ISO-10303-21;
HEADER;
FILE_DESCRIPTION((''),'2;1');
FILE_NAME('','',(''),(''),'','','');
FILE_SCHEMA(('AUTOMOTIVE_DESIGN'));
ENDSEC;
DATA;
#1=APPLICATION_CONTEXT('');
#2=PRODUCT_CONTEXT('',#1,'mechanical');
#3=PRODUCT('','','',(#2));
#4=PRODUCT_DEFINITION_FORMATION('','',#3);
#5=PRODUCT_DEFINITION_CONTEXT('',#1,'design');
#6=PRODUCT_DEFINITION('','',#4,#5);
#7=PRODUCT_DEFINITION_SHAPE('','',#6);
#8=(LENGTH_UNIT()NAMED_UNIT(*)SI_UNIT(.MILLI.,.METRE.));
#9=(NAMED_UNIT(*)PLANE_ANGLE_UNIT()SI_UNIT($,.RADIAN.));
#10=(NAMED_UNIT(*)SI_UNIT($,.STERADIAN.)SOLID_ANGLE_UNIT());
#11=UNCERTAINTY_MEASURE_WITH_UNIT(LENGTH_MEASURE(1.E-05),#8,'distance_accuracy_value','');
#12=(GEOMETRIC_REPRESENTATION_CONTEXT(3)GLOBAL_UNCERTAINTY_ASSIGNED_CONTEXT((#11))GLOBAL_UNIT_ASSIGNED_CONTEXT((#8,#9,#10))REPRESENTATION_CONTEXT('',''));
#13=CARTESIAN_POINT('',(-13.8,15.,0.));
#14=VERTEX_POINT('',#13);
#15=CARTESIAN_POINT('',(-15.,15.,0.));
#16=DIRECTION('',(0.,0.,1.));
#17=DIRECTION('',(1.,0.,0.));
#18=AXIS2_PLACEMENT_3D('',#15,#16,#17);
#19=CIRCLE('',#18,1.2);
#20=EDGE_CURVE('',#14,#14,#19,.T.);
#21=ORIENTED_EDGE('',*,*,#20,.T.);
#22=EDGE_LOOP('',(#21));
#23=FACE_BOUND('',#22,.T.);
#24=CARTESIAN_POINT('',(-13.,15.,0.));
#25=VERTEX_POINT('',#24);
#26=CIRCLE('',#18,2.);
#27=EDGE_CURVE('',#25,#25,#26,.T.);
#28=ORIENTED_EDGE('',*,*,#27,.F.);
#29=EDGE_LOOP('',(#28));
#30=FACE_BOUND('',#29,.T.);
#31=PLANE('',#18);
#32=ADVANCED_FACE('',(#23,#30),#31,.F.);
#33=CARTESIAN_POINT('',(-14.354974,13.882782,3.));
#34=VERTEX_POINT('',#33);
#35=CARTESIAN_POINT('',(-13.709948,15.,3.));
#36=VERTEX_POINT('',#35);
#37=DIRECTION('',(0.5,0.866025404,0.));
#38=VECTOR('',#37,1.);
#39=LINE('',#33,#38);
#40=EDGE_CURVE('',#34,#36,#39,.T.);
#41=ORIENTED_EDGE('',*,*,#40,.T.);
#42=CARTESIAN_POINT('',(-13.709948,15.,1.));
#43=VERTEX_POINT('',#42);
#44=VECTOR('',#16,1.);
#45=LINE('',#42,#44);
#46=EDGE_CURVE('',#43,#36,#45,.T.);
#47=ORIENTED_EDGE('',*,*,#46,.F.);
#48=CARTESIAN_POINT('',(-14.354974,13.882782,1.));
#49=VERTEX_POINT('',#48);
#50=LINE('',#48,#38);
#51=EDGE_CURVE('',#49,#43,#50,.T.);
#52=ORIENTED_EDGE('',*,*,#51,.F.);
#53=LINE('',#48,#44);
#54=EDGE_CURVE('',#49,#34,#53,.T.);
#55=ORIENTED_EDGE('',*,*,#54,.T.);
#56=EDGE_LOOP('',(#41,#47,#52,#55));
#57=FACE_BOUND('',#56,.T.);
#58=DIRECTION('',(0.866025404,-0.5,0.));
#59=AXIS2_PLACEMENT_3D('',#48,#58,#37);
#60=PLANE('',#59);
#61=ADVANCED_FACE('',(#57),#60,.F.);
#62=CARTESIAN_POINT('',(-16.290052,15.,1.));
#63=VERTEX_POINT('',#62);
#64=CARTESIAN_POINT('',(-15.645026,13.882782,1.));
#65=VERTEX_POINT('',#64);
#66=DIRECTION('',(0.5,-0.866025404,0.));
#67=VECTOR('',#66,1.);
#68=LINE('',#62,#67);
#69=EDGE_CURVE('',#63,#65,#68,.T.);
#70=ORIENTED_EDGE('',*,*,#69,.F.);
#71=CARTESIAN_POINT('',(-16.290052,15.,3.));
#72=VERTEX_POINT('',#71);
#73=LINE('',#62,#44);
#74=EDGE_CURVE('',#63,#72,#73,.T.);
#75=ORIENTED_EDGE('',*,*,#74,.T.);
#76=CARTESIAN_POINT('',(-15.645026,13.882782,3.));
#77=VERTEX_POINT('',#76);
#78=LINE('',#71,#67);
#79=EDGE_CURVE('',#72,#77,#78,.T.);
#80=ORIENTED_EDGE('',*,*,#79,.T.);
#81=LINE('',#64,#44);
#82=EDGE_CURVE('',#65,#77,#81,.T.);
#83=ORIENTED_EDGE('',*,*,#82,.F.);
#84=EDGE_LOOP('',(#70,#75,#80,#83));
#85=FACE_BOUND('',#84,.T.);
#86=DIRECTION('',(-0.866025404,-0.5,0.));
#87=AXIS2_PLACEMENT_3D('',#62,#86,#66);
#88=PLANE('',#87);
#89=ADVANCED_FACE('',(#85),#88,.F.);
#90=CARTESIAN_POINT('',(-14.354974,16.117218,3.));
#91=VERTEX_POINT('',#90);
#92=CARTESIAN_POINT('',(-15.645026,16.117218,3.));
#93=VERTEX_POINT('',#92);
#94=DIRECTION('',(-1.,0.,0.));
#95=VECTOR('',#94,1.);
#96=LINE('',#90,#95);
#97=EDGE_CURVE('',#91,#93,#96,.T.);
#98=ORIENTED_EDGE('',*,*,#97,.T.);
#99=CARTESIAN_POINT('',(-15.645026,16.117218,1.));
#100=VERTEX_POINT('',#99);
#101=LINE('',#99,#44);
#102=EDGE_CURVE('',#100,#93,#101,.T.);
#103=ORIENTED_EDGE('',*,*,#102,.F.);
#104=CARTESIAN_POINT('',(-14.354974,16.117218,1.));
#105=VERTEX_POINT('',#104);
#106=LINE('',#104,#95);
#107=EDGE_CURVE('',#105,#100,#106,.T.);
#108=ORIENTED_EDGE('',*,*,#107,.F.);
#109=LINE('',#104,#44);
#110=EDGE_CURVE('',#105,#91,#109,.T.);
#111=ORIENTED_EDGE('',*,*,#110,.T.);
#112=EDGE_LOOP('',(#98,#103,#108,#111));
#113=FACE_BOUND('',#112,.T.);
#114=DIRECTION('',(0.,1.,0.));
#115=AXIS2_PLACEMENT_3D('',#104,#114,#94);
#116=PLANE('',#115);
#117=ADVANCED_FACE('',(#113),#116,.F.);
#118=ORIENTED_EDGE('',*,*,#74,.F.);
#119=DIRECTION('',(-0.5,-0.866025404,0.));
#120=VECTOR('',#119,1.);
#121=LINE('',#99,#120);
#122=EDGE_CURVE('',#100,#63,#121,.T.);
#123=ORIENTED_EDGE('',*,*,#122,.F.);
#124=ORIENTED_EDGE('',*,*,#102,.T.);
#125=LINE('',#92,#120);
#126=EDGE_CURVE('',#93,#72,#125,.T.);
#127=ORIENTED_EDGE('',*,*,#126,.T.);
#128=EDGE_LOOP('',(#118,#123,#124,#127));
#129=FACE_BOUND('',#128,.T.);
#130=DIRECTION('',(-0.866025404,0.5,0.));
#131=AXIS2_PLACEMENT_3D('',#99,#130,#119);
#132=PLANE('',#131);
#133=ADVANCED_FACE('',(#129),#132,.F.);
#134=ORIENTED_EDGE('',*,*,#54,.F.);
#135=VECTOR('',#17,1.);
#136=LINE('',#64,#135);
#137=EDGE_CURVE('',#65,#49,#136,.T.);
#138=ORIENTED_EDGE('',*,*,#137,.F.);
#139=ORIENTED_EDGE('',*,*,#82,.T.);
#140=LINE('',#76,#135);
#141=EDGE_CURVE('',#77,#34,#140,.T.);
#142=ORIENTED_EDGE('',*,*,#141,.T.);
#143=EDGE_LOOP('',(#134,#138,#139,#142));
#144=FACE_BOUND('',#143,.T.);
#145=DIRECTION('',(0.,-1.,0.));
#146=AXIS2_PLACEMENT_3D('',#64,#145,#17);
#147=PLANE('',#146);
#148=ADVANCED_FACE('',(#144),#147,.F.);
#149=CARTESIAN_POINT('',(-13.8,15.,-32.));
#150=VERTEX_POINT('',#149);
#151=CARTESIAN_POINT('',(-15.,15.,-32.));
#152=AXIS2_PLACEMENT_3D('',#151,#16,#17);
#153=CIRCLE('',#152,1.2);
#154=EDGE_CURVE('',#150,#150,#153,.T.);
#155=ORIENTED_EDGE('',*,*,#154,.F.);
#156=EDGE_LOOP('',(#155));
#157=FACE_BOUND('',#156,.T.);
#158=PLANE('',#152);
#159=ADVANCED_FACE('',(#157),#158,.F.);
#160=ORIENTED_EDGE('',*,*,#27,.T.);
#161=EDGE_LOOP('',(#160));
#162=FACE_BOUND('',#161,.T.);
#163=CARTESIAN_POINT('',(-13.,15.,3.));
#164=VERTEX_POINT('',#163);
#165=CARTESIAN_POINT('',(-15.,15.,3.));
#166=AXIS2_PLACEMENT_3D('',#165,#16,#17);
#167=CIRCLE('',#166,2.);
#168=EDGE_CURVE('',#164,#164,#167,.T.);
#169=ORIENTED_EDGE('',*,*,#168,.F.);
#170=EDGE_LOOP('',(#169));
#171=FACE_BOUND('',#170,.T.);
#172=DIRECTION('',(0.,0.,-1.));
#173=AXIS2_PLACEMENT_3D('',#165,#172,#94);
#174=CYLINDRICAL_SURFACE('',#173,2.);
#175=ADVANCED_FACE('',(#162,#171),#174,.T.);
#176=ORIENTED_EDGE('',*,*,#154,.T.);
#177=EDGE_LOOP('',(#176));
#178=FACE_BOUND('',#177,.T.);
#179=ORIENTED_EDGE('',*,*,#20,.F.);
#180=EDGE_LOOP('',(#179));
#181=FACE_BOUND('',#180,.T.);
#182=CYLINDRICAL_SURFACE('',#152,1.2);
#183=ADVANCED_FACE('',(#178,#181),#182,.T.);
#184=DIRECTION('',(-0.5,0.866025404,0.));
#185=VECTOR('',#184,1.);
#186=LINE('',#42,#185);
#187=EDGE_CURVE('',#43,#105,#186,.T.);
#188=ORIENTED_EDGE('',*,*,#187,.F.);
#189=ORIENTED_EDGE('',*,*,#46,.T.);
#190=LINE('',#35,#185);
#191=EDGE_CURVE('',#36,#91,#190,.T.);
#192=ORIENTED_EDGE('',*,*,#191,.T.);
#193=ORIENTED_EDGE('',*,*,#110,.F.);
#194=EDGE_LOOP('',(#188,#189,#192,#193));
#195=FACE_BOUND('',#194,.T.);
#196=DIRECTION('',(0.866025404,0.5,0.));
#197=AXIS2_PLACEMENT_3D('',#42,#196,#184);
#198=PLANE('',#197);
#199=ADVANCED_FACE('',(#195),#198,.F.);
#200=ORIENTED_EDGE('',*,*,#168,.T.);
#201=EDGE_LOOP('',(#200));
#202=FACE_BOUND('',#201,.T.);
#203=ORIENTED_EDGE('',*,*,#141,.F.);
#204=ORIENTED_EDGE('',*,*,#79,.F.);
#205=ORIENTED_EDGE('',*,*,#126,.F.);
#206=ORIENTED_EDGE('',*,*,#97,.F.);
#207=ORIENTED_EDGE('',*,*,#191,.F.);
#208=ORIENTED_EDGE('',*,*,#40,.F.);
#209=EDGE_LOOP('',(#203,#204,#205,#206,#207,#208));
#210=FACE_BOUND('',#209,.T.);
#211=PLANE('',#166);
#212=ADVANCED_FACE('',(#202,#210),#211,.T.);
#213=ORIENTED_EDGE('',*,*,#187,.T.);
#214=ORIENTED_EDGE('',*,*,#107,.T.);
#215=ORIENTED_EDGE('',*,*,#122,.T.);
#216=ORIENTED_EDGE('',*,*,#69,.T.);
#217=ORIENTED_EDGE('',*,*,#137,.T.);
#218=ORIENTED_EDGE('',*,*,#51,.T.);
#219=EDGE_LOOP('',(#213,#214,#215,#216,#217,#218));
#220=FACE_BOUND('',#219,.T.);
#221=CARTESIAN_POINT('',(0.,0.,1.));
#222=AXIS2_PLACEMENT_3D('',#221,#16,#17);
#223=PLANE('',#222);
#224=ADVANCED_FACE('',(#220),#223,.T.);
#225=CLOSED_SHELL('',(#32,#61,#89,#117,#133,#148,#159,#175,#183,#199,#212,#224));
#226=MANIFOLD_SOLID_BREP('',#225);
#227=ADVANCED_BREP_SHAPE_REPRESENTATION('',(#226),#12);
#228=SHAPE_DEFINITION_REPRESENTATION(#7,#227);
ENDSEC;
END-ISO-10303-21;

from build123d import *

# Parameters (mm, degrees)
SKETCH1_R           = 1.2
BOSS_EXTRUDE1_DEPTH = 32
SKETCH2_R           = 2
BOSS_EXTRUDE2_DEPTH = 3
CUT_EXTRUDE1_DEPTH  = 2


with BuildPart() as part:
    # Sketch1 → Boss-Extrude1 (new body)
    with BuildSketch(Plane.XY):
        with Locations((-15, 15)):
            Circle(SKETCH1_R)
    extrude(amount=-BOSS_EXTRUDE1_DEPTH)

    # Sketch2 → Boss-Extrude2 (add)
    with BuildSketch(Plane.XY):
        with Locations((-15, 15)):
            Circle(SKETCH2_R)
    extrude(amount=BOSS_EXTRUDE2_DEPTH)

    # Sketch3 → Cut-Extrude1 (cut)
    with BuildSketch(Plane.XY.offset(3)):
        Polygon((-13.709947687, 15), (-14.354973843, 16.117218076), (-15.645026157, 16.117218076), (-16.290052313, 15), (-15.645026157, 13.882781924), (-14.354973843, 13.882781924), align=None)
    extrude(amount=-CUT_EXTRUDE1_DEPTH, mode=Mode.SUBTRACT)


solid = part.part
